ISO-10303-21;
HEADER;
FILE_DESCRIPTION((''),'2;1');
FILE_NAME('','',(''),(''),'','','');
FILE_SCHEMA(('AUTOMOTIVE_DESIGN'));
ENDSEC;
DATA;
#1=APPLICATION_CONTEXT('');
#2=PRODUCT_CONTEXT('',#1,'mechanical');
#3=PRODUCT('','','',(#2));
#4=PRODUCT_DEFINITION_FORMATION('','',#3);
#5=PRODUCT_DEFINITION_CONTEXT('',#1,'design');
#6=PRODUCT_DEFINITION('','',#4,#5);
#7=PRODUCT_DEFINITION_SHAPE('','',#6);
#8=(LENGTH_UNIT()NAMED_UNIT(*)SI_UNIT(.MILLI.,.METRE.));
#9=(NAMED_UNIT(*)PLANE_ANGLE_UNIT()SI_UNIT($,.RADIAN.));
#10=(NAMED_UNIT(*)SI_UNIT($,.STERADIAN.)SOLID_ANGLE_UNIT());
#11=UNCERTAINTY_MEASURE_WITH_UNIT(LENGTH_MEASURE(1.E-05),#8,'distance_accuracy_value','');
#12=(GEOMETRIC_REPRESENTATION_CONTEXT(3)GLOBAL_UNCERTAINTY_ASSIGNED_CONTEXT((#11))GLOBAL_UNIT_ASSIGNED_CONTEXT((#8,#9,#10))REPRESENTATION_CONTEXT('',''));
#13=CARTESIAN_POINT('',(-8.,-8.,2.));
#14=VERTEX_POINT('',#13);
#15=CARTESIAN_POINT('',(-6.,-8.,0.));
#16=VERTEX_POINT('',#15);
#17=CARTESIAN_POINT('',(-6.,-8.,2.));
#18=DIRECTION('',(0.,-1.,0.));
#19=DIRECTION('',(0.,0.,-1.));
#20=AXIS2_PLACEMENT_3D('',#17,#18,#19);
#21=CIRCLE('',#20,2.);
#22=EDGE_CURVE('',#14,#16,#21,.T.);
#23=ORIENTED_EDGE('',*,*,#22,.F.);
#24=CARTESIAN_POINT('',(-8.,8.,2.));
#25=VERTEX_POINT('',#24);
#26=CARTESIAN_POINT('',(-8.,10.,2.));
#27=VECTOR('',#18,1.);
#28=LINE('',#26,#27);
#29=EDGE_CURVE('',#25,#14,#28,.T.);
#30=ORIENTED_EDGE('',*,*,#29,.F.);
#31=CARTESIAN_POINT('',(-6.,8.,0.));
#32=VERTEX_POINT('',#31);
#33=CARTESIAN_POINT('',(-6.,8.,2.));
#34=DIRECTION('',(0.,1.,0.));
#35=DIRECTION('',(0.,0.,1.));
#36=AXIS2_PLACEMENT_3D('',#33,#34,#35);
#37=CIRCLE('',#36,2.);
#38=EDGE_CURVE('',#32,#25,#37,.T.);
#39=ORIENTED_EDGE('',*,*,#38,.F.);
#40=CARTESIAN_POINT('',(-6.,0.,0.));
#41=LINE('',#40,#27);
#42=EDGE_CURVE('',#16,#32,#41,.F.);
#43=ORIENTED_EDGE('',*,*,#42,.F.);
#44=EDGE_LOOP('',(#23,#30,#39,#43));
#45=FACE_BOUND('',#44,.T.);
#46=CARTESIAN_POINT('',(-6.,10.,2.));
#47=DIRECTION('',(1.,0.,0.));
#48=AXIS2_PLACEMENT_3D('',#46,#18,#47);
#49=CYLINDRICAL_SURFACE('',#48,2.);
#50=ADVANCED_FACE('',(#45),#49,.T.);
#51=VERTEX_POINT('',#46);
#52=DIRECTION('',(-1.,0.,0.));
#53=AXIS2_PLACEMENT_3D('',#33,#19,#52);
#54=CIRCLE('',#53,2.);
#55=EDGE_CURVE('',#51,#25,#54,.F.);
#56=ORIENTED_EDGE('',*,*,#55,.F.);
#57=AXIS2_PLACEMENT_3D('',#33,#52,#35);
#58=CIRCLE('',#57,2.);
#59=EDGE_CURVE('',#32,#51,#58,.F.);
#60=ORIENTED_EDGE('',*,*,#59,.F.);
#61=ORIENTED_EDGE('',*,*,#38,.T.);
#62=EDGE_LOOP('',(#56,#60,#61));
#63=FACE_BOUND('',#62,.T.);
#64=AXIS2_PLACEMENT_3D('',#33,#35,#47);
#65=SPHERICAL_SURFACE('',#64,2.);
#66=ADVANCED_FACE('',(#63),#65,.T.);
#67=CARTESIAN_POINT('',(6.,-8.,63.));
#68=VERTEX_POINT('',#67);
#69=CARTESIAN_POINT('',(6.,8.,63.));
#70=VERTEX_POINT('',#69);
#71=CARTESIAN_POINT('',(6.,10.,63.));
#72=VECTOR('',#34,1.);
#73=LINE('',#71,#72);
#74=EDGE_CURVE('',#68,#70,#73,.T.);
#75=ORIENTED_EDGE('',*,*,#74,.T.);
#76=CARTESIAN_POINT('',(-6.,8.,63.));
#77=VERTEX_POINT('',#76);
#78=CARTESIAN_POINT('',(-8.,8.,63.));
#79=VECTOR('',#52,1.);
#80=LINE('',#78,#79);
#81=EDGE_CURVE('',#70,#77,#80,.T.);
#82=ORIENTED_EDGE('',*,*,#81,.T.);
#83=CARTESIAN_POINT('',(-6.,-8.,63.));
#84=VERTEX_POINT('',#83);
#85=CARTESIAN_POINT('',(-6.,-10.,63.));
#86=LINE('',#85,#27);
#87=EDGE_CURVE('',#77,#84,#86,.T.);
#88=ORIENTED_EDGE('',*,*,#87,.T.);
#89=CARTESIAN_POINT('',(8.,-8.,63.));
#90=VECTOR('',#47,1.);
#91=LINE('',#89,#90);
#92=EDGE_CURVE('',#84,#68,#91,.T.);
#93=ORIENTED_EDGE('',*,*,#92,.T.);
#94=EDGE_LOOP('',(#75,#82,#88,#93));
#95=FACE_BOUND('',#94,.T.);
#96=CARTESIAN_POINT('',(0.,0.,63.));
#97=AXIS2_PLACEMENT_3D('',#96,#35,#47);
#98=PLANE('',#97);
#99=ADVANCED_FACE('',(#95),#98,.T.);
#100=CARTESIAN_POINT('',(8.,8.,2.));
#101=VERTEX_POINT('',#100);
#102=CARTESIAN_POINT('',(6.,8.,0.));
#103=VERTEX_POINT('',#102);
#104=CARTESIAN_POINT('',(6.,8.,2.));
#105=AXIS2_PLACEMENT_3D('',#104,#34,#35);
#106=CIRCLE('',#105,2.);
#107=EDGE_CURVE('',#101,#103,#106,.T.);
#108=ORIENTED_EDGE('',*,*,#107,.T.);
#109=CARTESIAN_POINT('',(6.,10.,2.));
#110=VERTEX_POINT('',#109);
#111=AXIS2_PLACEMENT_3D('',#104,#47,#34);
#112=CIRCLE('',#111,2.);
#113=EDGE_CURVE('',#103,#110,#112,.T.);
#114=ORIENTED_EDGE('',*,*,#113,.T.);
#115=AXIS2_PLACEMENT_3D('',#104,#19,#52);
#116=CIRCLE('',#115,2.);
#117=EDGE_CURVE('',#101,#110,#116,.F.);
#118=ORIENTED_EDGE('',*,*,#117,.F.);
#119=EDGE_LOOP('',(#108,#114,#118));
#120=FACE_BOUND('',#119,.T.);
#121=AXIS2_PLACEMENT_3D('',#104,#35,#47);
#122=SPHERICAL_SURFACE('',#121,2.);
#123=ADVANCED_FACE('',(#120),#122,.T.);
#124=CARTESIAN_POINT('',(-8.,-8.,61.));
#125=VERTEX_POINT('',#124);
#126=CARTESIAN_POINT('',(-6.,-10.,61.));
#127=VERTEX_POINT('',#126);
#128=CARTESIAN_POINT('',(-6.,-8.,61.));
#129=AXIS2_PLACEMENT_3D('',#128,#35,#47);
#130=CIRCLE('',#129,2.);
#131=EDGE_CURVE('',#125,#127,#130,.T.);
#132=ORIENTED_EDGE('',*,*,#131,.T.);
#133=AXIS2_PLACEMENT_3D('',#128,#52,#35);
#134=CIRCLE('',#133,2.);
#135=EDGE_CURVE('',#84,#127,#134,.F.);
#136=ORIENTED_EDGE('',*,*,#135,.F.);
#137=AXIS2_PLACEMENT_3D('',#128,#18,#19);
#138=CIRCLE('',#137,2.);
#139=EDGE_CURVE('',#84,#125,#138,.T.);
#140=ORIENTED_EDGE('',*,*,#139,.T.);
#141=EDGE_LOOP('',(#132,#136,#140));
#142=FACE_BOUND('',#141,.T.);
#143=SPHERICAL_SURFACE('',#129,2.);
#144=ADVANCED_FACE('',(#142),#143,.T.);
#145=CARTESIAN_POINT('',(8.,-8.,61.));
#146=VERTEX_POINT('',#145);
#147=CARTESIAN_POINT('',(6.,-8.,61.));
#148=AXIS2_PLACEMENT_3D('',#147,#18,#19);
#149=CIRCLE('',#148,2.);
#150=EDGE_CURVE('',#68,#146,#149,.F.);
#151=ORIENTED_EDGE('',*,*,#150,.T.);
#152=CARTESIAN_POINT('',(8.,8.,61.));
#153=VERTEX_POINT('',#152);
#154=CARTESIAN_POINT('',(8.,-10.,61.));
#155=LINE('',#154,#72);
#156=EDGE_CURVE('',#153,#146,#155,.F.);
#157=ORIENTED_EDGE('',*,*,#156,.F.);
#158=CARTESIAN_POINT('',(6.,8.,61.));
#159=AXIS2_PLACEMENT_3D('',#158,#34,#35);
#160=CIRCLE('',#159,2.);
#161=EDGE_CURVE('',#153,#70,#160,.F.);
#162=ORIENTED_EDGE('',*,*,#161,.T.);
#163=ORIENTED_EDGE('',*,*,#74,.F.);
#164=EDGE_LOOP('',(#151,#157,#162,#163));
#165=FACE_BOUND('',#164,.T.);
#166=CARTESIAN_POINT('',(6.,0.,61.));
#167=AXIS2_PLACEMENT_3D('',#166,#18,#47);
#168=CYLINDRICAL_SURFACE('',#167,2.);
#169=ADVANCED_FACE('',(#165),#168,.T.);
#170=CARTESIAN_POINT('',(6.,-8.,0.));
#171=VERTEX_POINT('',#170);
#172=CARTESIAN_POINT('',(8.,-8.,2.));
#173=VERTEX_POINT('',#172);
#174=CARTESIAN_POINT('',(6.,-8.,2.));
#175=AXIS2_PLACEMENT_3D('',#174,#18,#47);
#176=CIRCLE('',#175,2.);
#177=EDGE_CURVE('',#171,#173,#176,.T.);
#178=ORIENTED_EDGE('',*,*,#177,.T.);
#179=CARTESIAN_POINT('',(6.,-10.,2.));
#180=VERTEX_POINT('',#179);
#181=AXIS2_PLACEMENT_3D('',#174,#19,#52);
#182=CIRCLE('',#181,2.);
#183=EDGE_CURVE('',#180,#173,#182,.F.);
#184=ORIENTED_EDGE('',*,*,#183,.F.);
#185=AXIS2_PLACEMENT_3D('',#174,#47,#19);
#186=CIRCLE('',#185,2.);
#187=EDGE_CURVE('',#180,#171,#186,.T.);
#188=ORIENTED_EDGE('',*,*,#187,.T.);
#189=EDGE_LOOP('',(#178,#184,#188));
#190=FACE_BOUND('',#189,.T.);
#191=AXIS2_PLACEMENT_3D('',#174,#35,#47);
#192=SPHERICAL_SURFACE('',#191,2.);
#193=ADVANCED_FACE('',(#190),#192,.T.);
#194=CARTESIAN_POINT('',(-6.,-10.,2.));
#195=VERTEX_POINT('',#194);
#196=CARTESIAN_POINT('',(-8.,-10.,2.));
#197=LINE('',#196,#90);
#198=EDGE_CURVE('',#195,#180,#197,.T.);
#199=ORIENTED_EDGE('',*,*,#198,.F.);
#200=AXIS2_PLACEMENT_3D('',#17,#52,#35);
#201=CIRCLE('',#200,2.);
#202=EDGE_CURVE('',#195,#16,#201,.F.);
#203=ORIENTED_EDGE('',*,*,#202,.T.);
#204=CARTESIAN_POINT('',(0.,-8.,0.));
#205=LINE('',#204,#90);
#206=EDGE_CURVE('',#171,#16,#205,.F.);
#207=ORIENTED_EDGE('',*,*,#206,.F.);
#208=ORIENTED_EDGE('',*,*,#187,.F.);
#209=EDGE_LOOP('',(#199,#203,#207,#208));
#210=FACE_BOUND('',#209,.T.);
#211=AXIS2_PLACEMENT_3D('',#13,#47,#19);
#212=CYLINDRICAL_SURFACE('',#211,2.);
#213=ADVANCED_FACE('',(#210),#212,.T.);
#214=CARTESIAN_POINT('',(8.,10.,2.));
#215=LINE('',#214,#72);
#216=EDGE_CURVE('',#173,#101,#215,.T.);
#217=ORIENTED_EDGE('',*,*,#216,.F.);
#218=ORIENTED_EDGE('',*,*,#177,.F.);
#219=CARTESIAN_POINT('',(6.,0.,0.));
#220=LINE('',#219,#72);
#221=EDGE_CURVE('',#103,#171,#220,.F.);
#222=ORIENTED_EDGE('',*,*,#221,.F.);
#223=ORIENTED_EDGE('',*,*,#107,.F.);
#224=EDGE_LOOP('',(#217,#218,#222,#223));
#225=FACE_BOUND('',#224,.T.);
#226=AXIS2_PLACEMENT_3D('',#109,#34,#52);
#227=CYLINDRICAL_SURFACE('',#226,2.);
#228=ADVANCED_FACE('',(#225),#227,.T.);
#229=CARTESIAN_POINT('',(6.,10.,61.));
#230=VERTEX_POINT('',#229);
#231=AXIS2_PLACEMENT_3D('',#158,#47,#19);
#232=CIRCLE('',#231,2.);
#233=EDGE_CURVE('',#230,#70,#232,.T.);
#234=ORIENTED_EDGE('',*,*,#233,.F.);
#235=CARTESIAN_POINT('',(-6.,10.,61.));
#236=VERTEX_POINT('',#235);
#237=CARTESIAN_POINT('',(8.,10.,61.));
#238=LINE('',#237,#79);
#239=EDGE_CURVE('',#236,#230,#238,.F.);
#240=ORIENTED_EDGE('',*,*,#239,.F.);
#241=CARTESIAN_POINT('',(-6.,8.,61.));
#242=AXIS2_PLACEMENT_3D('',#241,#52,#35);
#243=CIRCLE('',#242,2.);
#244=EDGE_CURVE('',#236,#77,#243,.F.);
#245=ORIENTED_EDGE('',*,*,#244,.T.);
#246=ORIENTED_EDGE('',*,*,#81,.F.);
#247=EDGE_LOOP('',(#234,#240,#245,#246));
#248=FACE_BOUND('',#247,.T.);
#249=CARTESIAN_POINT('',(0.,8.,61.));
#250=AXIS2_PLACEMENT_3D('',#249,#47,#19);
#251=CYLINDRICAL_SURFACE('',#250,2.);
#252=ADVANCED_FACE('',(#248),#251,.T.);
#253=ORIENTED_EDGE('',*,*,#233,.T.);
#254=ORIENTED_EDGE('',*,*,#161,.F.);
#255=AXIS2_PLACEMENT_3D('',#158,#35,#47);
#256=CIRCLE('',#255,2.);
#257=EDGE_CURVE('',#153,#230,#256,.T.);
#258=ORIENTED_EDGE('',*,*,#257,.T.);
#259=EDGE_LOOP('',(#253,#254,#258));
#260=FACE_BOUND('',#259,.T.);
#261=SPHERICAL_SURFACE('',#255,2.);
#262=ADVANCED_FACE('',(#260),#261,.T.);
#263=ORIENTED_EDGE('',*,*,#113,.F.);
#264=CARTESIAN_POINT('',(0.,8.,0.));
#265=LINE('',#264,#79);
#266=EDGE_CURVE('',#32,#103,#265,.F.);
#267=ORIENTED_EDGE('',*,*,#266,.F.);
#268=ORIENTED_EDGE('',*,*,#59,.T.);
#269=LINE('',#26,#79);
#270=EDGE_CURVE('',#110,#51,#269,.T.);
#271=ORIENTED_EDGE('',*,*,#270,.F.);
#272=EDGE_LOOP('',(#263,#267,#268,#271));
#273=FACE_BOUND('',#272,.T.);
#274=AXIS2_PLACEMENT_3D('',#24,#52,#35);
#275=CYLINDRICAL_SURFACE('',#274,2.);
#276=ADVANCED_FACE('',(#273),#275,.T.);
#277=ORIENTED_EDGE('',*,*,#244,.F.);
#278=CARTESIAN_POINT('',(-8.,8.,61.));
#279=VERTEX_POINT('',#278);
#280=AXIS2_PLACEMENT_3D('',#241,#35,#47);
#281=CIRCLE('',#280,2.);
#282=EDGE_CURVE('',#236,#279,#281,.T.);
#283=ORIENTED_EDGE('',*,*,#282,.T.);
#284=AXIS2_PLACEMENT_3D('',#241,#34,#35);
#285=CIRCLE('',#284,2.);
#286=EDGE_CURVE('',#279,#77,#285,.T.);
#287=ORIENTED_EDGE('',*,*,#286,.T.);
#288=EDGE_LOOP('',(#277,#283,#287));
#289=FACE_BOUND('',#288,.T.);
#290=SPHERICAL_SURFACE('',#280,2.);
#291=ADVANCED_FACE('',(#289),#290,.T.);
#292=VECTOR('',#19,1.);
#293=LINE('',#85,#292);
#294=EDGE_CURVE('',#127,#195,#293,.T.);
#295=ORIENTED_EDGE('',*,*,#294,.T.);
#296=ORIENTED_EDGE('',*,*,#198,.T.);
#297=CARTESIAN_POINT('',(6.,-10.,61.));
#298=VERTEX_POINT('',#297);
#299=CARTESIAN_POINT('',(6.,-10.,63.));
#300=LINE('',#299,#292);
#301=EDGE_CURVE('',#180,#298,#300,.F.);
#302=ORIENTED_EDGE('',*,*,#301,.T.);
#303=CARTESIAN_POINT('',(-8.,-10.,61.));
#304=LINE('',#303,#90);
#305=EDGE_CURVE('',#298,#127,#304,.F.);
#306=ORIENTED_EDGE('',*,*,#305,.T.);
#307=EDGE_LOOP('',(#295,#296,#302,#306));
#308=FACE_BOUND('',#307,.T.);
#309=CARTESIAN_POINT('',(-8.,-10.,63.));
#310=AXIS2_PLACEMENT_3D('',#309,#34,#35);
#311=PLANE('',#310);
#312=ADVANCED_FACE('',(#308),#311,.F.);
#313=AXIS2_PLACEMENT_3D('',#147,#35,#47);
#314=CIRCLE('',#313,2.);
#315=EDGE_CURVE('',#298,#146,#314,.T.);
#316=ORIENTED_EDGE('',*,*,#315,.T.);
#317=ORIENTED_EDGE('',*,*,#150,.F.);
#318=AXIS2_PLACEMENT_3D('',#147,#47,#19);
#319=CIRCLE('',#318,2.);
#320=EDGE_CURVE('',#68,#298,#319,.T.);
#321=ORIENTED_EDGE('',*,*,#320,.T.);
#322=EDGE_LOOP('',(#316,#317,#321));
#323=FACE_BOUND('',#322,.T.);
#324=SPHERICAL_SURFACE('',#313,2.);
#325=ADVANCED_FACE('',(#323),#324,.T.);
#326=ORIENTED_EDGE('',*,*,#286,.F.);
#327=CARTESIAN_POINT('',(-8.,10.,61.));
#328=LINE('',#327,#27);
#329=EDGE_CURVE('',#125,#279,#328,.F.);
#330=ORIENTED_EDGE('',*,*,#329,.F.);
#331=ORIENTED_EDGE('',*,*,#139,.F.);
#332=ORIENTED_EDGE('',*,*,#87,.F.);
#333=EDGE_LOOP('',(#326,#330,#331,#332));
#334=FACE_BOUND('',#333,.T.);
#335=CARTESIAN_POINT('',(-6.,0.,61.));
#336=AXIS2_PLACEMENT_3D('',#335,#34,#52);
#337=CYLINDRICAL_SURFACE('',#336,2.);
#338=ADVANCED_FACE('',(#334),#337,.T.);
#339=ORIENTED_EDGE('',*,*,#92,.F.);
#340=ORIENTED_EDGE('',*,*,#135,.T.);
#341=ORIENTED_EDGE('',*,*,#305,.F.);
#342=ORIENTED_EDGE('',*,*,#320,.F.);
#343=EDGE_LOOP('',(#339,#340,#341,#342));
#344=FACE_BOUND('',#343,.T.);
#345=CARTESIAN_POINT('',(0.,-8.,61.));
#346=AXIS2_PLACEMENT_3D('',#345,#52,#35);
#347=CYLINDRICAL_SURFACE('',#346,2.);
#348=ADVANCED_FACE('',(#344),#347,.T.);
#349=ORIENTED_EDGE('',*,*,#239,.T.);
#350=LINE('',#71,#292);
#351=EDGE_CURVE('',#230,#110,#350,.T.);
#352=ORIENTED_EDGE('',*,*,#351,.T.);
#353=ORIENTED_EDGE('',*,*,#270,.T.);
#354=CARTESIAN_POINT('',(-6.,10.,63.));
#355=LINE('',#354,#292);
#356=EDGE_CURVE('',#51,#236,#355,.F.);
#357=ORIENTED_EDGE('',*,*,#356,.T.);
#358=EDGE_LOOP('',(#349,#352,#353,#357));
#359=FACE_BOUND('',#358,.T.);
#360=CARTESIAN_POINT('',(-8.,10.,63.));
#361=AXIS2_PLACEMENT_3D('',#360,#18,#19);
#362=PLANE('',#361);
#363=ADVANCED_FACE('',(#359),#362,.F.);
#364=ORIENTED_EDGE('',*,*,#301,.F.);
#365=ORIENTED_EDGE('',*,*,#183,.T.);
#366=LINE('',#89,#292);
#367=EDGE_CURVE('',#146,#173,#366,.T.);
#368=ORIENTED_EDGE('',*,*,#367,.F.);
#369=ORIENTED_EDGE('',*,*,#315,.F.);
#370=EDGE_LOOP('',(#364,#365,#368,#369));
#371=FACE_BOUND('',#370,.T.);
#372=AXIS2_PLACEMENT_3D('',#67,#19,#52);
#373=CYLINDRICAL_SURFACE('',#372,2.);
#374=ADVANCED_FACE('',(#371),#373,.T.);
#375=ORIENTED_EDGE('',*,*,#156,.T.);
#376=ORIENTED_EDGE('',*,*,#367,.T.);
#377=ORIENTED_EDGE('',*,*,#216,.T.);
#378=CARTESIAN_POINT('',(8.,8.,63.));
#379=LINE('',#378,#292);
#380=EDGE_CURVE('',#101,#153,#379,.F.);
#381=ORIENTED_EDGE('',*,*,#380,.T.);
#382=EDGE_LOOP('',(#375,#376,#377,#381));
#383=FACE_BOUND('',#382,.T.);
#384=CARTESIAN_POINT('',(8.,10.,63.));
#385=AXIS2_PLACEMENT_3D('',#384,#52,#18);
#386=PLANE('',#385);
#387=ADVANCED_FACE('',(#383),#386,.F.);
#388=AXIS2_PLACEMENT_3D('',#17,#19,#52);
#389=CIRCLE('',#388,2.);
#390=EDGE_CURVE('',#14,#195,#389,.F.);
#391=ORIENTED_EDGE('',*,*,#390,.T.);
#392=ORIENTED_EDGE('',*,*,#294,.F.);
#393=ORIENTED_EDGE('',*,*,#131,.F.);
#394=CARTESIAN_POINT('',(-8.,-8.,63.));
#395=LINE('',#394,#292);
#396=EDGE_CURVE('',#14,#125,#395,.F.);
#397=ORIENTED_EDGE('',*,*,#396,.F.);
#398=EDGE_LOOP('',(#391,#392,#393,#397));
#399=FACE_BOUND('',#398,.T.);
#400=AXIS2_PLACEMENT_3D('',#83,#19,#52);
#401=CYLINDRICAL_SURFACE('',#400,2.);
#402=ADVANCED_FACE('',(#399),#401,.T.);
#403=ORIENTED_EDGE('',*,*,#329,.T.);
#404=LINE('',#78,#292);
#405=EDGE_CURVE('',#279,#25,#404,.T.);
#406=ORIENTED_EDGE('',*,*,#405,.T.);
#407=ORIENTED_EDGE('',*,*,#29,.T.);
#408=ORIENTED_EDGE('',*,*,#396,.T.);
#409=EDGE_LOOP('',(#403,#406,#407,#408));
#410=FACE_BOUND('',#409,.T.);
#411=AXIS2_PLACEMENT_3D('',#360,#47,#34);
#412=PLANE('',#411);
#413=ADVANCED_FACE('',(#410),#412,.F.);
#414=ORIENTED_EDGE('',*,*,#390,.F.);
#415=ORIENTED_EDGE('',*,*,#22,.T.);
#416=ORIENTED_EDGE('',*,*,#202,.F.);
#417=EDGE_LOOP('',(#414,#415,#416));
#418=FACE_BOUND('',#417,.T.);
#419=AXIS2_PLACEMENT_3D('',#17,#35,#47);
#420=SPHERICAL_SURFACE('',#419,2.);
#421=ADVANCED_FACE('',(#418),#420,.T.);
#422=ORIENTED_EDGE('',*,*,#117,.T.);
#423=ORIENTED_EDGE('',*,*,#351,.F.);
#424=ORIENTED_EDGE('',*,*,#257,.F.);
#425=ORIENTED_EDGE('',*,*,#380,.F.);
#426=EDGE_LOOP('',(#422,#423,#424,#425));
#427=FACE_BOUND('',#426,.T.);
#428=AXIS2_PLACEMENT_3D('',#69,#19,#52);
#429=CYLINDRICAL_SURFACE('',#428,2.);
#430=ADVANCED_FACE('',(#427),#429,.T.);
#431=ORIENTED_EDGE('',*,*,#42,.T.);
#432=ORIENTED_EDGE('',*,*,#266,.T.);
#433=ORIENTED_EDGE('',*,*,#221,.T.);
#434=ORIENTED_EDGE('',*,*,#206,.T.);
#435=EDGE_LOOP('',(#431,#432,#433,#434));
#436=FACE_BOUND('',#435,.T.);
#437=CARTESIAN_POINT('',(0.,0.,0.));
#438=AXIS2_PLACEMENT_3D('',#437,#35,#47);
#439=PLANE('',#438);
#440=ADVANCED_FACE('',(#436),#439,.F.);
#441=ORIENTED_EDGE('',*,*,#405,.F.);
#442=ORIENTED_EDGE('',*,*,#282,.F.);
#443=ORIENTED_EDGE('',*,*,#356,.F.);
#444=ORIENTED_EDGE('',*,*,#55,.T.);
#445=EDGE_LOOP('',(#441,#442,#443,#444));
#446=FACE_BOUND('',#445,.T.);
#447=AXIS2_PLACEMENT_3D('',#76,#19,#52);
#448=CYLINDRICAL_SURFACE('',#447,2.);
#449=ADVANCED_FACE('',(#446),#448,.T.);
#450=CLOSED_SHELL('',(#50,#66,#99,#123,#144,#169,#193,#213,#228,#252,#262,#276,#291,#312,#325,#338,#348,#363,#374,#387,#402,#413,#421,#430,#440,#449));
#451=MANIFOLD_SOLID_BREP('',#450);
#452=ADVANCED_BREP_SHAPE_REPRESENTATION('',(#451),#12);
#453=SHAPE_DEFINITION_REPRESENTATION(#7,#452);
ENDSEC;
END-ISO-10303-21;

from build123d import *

# Parameters (mm, degrees)
SKETCH_1_W      = 16
SKETCH_1_H      = 20
EXTRUDE_1_DEPTH = 63
FILLET_1_R      = 2


with BuildPart() as part:
    # 草图1 → 凸台-拉伸1 (new body)
    with BuildSketch(Plane.XY):
        Rectangle(SKETCH_1_W, SKETCH_1_H)
    extrude(amount=EXTRUDE_1_DEPTH)

    # 圆角1
    fillet_1_edges = [part.edges().sort_by_distance(p)[0] for p in [
        (-8, 0, 63),
        (0, -10, 63),
        (8, 0, 63),
        (0, -10, 0),
        (-8, 0, 0),
        (0, 10, 0),
        (8, 0, 0),
        (0, 10, 63),
        (8, -10, 31.5),
        (-8, -10, 31.5),
        (-8, 10, 31.5),
        (8, 10, 31.5),
    ]]
    fillet(fillet_1_edges, radius=FILLET_1_R)


solid = part.part
